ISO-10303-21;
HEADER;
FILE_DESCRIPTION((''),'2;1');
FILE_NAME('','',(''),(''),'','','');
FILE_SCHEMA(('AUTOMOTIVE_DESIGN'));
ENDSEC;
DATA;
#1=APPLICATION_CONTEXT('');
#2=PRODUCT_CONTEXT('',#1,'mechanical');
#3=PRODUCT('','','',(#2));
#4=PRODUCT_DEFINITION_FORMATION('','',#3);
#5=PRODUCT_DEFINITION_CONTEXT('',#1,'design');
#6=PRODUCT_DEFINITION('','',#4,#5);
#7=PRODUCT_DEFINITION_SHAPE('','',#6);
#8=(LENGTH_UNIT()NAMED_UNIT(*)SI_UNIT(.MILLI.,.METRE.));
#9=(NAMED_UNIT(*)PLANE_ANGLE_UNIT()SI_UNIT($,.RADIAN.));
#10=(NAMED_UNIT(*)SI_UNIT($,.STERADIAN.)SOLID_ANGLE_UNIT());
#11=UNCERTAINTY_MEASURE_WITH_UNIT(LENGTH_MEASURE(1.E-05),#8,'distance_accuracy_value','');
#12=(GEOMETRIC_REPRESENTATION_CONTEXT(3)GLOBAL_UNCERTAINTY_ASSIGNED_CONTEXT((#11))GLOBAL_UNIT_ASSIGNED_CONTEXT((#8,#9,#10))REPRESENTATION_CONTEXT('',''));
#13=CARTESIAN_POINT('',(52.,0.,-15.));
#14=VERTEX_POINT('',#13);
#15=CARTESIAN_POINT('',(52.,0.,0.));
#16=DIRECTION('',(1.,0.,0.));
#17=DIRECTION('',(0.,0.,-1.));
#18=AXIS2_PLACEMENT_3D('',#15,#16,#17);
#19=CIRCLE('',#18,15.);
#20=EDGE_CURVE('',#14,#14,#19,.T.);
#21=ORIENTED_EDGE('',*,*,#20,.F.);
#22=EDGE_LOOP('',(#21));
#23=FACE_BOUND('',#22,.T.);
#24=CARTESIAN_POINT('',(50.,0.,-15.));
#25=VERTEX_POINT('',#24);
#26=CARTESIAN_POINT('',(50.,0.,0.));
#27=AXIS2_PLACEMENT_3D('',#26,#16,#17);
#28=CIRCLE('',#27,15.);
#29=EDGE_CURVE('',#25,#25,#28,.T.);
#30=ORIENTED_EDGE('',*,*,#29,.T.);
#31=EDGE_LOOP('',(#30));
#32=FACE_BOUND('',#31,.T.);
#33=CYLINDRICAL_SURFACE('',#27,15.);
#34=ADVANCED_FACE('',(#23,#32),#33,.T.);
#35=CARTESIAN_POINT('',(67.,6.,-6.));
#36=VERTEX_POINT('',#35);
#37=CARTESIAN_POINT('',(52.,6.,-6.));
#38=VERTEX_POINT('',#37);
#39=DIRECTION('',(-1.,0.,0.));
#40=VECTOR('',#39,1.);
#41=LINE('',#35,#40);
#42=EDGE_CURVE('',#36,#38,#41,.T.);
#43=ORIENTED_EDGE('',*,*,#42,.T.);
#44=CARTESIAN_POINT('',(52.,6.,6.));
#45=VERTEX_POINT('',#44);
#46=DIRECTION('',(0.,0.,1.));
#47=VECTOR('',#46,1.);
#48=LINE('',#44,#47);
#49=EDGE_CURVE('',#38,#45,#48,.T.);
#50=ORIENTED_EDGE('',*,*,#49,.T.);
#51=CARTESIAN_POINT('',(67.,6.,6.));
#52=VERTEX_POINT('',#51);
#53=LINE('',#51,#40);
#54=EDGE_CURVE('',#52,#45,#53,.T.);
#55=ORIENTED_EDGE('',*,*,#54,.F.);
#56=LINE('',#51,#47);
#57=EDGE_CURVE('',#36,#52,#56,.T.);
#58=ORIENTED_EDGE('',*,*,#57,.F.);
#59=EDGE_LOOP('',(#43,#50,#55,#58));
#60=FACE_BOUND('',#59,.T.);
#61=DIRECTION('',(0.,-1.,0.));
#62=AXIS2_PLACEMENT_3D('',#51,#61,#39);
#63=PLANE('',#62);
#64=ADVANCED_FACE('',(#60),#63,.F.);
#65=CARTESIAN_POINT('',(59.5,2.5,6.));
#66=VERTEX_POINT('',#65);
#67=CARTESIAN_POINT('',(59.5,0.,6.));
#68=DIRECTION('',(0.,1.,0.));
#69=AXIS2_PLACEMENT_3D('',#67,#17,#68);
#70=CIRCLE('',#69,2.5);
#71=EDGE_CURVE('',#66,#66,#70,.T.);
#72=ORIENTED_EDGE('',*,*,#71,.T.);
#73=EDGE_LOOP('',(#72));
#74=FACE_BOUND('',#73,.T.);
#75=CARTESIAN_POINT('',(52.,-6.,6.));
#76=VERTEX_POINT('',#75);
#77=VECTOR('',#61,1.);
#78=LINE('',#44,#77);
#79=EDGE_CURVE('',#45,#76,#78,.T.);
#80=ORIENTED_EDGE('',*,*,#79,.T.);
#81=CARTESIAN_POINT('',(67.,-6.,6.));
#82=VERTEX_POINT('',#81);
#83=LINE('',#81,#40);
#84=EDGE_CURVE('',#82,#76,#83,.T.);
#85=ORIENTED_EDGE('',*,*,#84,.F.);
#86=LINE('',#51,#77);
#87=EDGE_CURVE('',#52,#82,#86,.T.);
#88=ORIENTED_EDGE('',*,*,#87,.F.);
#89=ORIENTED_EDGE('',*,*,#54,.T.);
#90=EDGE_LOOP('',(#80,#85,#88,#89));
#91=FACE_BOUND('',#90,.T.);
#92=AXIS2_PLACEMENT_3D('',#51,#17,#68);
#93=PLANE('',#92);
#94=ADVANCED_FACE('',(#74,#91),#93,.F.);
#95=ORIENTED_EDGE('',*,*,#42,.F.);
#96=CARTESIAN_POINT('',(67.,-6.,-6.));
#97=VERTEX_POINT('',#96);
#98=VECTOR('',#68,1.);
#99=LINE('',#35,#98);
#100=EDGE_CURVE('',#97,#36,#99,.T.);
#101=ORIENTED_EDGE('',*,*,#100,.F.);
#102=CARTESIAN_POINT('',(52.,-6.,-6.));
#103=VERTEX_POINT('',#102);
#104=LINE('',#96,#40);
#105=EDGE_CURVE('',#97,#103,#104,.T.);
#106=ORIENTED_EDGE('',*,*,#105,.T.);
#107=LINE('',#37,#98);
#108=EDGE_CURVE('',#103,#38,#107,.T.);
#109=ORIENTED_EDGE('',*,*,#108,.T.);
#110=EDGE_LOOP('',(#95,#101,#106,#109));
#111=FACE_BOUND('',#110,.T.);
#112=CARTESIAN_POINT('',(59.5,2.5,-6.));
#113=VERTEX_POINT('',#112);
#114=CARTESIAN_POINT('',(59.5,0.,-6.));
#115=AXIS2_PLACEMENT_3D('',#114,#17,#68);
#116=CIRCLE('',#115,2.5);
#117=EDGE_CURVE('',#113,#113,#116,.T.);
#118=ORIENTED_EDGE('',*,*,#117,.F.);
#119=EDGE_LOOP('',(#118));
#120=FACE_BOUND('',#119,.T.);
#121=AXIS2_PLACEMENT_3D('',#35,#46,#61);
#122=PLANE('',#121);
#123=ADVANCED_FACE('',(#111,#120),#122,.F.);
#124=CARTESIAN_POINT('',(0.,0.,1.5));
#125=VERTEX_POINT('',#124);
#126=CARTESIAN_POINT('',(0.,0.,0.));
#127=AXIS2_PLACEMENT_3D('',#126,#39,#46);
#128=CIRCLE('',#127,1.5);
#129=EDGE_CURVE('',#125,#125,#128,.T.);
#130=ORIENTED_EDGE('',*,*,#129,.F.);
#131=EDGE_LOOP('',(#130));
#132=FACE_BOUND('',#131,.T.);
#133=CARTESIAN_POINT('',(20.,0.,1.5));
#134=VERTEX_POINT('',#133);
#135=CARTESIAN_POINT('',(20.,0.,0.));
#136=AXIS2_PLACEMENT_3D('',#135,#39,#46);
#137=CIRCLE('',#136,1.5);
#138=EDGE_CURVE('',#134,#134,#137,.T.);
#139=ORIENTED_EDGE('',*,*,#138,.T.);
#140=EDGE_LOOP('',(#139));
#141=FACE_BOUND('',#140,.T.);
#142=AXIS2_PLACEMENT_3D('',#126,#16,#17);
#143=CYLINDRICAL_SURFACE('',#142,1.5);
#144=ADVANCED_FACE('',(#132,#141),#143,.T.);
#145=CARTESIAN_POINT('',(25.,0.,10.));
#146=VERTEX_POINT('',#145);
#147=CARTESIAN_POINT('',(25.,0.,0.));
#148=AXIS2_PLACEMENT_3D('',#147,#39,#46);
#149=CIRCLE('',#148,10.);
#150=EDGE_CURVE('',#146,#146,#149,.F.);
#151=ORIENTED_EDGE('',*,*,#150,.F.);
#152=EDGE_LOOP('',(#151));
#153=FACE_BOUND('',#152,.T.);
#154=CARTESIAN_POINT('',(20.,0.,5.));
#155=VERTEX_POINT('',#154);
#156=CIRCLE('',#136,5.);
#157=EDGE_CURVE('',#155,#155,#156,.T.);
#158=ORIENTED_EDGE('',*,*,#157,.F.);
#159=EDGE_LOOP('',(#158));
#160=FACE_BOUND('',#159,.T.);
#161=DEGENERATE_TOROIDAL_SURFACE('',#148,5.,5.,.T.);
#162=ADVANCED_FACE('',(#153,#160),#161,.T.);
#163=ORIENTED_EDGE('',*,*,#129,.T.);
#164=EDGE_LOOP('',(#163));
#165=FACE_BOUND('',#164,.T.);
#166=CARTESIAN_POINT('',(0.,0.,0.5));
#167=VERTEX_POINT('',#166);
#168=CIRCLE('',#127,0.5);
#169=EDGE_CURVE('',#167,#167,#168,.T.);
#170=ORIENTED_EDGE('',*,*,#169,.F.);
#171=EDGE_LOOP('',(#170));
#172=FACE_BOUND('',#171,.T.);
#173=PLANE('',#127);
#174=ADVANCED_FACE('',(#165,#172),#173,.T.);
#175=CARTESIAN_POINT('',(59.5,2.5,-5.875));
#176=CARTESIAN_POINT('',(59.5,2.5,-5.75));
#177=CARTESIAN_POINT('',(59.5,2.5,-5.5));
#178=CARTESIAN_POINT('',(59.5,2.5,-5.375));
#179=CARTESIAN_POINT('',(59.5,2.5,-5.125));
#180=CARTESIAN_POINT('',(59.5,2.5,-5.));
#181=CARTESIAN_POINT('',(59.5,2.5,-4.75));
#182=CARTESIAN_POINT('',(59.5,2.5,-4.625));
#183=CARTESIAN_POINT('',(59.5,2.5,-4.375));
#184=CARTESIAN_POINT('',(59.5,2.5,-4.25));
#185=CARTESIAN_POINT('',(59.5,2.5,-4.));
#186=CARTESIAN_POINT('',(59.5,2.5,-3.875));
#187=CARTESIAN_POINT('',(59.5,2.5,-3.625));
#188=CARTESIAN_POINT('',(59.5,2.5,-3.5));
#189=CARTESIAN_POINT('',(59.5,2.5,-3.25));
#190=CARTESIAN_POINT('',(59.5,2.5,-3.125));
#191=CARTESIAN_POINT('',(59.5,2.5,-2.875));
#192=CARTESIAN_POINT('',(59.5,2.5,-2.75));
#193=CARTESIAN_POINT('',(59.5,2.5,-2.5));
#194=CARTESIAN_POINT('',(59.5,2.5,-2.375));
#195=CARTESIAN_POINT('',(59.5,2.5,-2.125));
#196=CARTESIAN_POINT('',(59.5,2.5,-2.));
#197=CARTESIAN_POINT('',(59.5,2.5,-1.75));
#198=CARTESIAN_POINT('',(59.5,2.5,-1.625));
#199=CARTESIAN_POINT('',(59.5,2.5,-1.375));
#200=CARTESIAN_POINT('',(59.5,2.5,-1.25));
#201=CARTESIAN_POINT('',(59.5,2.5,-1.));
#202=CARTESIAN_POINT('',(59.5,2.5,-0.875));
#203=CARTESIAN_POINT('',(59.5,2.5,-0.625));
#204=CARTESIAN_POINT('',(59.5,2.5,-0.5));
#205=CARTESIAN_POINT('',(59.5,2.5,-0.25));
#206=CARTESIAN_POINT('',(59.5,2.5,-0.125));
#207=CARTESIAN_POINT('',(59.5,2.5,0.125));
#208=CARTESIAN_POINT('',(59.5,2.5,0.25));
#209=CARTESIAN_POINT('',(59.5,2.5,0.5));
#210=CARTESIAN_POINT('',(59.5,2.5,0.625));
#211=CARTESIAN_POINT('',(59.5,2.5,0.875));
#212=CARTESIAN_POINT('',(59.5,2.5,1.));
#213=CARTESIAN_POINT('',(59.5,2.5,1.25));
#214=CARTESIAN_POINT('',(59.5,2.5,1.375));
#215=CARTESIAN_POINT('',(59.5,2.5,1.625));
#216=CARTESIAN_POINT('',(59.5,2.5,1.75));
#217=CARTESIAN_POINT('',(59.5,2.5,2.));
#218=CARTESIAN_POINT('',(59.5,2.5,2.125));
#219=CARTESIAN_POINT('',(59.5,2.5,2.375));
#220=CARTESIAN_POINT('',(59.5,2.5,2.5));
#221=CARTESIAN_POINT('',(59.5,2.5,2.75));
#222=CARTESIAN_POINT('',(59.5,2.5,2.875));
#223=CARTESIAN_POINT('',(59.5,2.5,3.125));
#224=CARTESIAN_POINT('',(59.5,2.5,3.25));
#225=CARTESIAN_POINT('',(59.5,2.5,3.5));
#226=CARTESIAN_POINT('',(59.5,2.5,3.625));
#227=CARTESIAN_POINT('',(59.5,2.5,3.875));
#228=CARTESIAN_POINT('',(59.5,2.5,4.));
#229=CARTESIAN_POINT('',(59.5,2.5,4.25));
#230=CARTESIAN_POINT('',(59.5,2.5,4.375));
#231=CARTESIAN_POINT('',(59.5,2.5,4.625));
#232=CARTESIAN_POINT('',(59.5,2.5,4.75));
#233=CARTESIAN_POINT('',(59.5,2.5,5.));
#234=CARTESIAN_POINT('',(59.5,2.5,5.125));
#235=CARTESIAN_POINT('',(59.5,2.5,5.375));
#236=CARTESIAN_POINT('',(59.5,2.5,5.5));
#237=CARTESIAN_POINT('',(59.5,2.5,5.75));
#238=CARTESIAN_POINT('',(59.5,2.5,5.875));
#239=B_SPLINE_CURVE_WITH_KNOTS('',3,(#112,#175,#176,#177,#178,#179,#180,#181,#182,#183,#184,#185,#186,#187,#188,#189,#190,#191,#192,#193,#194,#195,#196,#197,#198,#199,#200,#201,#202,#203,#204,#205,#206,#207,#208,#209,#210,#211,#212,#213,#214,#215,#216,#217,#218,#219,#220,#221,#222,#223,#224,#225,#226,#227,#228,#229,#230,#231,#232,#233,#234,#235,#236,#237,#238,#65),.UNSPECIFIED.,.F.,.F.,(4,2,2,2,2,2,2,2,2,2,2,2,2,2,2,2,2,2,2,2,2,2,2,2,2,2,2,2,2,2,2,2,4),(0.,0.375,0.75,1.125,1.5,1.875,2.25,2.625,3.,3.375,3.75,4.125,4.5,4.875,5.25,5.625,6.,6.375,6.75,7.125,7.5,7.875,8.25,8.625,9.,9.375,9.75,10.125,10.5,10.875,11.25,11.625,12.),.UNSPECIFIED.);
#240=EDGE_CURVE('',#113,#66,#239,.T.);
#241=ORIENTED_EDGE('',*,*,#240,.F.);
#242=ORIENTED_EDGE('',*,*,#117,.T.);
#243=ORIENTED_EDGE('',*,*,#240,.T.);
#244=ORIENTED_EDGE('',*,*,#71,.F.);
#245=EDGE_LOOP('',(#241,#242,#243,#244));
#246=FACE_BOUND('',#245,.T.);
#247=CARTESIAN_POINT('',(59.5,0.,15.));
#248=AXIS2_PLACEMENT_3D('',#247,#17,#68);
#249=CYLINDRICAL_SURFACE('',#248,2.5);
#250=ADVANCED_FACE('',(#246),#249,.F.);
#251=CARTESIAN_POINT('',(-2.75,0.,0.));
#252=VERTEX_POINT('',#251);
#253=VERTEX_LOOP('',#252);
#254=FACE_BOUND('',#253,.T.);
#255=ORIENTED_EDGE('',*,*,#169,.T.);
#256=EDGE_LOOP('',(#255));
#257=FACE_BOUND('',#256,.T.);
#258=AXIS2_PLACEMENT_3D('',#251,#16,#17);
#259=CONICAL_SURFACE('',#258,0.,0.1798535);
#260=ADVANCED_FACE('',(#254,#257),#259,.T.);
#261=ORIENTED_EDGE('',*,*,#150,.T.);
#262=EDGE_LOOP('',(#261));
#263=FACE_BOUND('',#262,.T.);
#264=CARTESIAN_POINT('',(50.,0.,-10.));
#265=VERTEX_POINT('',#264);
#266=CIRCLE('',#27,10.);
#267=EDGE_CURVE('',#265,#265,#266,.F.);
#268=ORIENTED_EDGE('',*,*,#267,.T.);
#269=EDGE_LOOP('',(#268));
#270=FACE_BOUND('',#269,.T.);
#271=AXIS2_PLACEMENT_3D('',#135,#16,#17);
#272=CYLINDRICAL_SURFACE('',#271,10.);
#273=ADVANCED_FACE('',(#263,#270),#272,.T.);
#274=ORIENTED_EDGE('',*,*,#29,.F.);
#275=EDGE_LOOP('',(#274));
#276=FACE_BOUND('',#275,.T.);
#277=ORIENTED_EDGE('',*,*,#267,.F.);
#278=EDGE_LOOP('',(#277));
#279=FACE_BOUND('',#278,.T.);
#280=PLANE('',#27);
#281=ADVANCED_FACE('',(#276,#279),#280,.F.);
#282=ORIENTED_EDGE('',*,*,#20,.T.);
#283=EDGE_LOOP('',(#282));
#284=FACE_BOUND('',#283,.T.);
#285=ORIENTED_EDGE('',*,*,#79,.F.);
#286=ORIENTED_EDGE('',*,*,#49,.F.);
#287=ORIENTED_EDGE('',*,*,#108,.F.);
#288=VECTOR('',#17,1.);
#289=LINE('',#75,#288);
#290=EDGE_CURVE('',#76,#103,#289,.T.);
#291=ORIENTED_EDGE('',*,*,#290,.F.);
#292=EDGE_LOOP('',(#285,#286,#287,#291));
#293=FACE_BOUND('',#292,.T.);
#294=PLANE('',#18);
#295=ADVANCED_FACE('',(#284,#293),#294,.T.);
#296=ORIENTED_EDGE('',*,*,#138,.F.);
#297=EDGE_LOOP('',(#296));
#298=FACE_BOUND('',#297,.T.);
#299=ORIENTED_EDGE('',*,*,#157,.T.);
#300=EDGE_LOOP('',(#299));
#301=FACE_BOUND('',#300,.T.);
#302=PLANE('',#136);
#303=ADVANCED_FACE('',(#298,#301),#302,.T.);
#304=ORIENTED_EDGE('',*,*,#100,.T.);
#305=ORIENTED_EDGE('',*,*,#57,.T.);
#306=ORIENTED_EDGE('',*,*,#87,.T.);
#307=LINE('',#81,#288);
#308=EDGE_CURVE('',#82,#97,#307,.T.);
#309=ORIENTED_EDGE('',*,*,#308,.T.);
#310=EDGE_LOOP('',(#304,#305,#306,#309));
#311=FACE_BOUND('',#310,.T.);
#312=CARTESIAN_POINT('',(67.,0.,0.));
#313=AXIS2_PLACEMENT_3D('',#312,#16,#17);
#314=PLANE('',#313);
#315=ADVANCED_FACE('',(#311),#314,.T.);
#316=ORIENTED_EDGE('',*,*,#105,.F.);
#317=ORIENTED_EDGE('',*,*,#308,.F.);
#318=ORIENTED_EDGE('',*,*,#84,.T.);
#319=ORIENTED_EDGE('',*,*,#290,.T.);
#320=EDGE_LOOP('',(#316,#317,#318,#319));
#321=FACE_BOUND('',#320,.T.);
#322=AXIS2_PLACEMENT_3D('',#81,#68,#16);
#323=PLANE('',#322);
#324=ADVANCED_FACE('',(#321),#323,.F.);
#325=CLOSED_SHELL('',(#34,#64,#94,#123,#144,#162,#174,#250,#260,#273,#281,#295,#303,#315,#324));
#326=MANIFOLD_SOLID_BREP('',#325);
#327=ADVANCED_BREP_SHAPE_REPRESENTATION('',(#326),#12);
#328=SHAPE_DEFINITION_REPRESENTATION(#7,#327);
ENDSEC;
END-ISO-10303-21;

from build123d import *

# Parameters (mm, degrees)
SKETCH1_R             = 15
BOSS_EXTRUDE1_DEPTH   = 2
SKETCH2_W             = 12
SKETCH2_H             = 12
BOSS_EXTRUDE2_DEPTH   = 15
SKETCH3_R             = 2.5
CUT_EXTRUDE1_DEPTH    = 30.849623113
SKETCH4_R             = 10
BOSS_EXTRUDE3_DEPTH   = 30
FILLET1_R             = 5
SKETCH5_R             = 1.5
BOSS_EXTRUDE4_DEPTH   = 20
SKETCH7_R             = 0.5
BODY_MOVE_COPY2_ANGLE = 90


with BuildPart() as part:
    # Sketch1 → Boss-Extrude1 (new body)
    with BuildSketch(Plane.XY):
        Circle(SKETCH1_R)
    extrude(amount=-BOSS_EXTRUDE1_DEPTH)

    # Sketch2 → Boss-Extrude2 (add)
    with BuildSketch(Plane.XY):
        Rectangle(SKETCH2_W, SKETCH2_H)
    extrude(amount=BOSS_EXTRUDE2_DEPTH)

    # Sketch3 → Cut-Extrude1 (cut, through all)
    with BuildSketch(Plane(origin=(6, 0, 0), x_dir=(0, 0, -1), z_dir=(1, 0, 0))):
        with Locations(Location((-7.5, 0, 0), (0, 0, 90))):
            Circle(SKETCH3_R)
    extrude(amount=-CUT_EXTRUDE1_DEPTH, mode=Mode.SUBTRACT)

    # Sketch4 → Boss-Extrude3 (add)
    with BuildSketch(Plane(origin=(0, 0, -2), x_dir=(-1, 0, 0), z_dir=(0, 0, -1))):
        with Locations(Location((0, 0, 0), (0, 0, 180))):
            Circle(SKETCH4_R)
    extrude(amount=BOSS_EXTRUDE3_DEPTH)

    # Fillet1
    fillet1_edges = [part.edges().sort_by_distance(p)[0] for p in [
        (-10, 0, -32),
    ]]
    fillet(fillet1_edges, radius=FILLET1_R)

    # Sketch5 → Boss-Extrude4 (add)
    with BuildSketch(Plane(origin=(0, 0, -32), x_dir=(-1, 0, 0), z_dir=(0, 0, -1))):
        Circle(SKETCH5_R)
    extrude(amount=BOSS_EXTRUDE4_DEPTH)

    # Sketch7 → Loft2 section 0
    with BuildSketch(Plane(origin=(0, 0, -52), x_dir=(-1, 0, 0), z_dir=(0, 0, -1)), mode=Mode.PRIVATE) as loft2_s0:
        Circle(SKETCH7_R)
    loft([Vertex(0, 0, -54.75), loft2_s0.sketch])


with BuildPart() as part_1:
    # Body-Move/Copy1: moved
    add(part.part.moved(Location((0, 0, 52))))


with BuildPart() as part_2:
    # Body-Move/Copy2: moved
    add(part_1.part.rotate(Axis((0, 0, 0), (0, 1, 0)), BODY_MOVE_COPY2_ANGLE))


solid = part_2.part
